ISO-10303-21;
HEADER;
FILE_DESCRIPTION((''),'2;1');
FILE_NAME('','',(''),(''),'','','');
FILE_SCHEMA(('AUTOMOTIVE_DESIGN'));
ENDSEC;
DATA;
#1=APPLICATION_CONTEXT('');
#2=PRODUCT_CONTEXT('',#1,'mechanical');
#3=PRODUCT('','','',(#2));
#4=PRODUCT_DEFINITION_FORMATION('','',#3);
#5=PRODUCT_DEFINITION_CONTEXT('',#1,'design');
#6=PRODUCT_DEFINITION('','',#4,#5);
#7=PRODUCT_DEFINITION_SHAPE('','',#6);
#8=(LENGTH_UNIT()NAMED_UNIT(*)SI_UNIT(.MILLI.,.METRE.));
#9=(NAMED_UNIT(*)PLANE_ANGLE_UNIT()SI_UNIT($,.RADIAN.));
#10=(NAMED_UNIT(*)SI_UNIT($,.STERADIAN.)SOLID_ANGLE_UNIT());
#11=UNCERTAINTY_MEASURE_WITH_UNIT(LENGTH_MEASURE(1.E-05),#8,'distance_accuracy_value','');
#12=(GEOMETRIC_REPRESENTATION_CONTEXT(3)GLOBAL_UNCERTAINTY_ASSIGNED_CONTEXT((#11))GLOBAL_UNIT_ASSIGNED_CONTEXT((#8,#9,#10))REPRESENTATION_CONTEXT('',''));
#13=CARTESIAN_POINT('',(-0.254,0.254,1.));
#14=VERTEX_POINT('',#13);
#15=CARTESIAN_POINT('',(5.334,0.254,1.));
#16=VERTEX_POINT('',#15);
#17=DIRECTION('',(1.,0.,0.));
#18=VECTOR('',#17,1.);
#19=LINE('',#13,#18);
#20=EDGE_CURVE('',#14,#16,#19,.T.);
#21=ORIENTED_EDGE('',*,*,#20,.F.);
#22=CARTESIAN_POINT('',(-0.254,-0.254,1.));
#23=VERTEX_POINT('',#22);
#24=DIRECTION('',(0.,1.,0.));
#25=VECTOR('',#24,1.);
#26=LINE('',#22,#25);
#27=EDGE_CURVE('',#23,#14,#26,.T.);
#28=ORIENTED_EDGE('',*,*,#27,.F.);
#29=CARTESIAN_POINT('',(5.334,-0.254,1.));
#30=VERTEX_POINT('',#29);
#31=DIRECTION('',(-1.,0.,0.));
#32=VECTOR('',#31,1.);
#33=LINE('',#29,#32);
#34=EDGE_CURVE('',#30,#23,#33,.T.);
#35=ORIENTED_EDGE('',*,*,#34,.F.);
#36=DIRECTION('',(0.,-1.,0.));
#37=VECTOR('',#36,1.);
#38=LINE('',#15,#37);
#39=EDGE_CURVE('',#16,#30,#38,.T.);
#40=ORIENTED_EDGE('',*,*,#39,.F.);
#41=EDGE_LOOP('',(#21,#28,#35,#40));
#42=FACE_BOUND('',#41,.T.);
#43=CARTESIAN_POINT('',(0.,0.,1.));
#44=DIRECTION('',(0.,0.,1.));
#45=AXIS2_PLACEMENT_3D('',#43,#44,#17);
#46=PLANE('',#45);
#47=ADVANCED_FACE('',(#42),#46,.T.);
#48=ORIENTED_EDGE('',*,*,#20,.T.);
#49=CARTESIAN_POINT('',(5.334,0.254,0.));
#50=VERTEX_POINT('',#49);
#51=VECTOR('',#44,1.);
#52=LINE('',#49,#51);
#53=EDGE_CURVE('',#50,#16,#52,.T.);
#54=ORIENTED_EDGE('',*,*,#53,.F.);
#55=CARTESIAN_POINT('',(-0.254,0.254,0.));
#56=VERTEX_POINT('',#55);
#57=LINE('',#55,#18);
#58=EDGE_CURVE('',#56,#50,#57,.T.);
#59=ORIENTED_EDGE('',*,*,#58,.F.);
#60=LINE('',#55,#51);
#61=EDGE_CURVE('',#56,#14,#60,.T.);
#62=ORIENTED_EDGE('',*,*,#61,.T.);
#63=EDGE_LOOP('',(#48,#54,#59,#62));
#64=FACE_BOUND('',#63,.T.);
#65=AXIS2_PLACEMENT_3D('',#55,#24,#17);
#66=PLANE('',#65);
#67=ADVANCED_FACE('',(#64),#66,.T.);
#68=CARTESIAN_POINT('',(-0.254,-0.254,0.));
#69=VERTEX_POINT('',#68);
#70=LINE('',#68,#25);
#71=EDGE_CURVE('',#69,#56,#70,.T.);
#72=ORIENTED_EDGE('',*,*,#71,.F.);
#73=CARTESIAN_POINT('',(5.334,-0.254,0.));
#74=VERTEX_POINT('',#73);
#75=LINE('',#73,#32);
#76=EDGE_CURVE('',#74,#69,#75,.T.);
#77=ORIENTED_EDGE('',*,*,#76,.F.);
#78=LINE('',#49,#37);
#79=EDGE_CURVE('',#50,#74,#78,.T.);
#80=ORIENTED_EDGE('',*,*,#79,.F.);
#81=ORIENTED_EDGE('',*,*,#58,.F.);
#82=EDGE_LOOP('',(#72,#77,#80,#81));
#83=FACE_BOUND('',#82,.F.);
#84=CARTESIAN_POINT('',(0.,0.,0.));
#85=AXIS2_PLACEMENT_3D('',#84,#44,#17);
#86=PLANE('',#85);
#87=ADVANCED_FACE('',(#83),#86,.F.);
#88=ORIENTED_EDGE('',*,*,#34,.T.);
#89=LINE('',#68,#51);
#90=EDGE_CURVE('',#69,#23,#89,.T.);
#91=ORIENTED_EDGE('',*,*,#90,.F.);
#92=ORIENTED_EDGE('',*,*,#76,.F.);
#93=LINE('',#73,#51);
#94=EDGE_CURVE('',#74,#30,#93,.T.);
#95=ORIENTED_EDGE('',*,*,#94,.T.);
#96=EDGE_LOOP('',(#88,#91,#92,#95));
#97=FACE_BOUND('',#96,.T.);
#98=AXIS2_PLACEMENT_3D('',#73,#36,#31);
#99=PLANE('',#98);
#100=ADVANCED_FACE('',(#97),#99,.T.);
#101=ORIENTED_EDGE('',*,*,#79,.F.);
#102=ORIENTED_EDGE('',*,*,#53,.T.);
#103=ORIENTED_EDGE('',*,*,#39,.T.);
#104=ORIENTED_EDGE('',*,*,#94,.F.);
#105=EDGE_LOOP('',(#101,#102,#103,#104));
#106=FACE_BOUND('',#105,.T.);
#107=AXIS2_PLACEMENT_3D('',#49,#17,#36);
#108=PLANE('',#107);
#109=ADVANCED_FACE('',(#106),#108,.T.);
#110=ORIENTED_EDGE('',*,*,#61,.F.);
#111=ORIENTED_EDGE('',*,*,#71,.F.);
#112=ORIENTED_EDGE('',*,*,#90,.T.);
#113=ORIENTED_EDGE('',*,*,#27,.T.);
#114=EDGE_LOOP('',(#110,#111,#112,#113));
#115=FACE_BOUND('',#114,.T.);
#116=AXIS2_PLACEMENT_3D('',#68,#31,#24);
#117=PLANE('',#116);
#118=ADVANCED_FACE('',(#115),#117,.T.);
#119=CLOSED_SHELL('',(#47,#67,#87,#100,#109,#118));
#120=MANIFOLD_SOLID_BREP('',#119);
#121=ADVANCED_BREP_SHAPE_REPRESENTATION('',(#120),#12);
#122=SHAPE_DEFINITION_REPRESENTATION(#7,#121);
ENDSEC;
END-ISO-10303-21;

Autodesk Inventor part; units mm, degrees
ref_plane "YZ Plane" through (0, 0, 0) normal (1, 0, 0) x (0, 1, 0)
ref_plane "XZ Plane" through (0, 0, 0) normal (0, 1, 0) x (-1, 0, 0)
ref_plane "XY Plane" through (0, 0, 0) normal (0, 0, 1) x (1, 0, 0)
sketch "1X03_NO_SILK, JP3_1X03_NO_SILK_26" plane through (0, 0, 0) normal (0, 0, 1) x (1, 0, 0)
  line L0 (-0.254, 0.254) -> (5.334, 0.254)
  line L1 (5.334, 0.254) -> (5.334, -0.254)
  line L2 (5.334, -0.254) -> (-0.254, -0.254)
  line L3 (-0.254, -0.254) -> (-0.254, 0.254)
extrude "Extrusion1" add sketch "1X03_NO_SILK, JP3_1X03_NO_SILK_26" along normal blind 1
properties part number "JP3_1X03_NO_SILK"
